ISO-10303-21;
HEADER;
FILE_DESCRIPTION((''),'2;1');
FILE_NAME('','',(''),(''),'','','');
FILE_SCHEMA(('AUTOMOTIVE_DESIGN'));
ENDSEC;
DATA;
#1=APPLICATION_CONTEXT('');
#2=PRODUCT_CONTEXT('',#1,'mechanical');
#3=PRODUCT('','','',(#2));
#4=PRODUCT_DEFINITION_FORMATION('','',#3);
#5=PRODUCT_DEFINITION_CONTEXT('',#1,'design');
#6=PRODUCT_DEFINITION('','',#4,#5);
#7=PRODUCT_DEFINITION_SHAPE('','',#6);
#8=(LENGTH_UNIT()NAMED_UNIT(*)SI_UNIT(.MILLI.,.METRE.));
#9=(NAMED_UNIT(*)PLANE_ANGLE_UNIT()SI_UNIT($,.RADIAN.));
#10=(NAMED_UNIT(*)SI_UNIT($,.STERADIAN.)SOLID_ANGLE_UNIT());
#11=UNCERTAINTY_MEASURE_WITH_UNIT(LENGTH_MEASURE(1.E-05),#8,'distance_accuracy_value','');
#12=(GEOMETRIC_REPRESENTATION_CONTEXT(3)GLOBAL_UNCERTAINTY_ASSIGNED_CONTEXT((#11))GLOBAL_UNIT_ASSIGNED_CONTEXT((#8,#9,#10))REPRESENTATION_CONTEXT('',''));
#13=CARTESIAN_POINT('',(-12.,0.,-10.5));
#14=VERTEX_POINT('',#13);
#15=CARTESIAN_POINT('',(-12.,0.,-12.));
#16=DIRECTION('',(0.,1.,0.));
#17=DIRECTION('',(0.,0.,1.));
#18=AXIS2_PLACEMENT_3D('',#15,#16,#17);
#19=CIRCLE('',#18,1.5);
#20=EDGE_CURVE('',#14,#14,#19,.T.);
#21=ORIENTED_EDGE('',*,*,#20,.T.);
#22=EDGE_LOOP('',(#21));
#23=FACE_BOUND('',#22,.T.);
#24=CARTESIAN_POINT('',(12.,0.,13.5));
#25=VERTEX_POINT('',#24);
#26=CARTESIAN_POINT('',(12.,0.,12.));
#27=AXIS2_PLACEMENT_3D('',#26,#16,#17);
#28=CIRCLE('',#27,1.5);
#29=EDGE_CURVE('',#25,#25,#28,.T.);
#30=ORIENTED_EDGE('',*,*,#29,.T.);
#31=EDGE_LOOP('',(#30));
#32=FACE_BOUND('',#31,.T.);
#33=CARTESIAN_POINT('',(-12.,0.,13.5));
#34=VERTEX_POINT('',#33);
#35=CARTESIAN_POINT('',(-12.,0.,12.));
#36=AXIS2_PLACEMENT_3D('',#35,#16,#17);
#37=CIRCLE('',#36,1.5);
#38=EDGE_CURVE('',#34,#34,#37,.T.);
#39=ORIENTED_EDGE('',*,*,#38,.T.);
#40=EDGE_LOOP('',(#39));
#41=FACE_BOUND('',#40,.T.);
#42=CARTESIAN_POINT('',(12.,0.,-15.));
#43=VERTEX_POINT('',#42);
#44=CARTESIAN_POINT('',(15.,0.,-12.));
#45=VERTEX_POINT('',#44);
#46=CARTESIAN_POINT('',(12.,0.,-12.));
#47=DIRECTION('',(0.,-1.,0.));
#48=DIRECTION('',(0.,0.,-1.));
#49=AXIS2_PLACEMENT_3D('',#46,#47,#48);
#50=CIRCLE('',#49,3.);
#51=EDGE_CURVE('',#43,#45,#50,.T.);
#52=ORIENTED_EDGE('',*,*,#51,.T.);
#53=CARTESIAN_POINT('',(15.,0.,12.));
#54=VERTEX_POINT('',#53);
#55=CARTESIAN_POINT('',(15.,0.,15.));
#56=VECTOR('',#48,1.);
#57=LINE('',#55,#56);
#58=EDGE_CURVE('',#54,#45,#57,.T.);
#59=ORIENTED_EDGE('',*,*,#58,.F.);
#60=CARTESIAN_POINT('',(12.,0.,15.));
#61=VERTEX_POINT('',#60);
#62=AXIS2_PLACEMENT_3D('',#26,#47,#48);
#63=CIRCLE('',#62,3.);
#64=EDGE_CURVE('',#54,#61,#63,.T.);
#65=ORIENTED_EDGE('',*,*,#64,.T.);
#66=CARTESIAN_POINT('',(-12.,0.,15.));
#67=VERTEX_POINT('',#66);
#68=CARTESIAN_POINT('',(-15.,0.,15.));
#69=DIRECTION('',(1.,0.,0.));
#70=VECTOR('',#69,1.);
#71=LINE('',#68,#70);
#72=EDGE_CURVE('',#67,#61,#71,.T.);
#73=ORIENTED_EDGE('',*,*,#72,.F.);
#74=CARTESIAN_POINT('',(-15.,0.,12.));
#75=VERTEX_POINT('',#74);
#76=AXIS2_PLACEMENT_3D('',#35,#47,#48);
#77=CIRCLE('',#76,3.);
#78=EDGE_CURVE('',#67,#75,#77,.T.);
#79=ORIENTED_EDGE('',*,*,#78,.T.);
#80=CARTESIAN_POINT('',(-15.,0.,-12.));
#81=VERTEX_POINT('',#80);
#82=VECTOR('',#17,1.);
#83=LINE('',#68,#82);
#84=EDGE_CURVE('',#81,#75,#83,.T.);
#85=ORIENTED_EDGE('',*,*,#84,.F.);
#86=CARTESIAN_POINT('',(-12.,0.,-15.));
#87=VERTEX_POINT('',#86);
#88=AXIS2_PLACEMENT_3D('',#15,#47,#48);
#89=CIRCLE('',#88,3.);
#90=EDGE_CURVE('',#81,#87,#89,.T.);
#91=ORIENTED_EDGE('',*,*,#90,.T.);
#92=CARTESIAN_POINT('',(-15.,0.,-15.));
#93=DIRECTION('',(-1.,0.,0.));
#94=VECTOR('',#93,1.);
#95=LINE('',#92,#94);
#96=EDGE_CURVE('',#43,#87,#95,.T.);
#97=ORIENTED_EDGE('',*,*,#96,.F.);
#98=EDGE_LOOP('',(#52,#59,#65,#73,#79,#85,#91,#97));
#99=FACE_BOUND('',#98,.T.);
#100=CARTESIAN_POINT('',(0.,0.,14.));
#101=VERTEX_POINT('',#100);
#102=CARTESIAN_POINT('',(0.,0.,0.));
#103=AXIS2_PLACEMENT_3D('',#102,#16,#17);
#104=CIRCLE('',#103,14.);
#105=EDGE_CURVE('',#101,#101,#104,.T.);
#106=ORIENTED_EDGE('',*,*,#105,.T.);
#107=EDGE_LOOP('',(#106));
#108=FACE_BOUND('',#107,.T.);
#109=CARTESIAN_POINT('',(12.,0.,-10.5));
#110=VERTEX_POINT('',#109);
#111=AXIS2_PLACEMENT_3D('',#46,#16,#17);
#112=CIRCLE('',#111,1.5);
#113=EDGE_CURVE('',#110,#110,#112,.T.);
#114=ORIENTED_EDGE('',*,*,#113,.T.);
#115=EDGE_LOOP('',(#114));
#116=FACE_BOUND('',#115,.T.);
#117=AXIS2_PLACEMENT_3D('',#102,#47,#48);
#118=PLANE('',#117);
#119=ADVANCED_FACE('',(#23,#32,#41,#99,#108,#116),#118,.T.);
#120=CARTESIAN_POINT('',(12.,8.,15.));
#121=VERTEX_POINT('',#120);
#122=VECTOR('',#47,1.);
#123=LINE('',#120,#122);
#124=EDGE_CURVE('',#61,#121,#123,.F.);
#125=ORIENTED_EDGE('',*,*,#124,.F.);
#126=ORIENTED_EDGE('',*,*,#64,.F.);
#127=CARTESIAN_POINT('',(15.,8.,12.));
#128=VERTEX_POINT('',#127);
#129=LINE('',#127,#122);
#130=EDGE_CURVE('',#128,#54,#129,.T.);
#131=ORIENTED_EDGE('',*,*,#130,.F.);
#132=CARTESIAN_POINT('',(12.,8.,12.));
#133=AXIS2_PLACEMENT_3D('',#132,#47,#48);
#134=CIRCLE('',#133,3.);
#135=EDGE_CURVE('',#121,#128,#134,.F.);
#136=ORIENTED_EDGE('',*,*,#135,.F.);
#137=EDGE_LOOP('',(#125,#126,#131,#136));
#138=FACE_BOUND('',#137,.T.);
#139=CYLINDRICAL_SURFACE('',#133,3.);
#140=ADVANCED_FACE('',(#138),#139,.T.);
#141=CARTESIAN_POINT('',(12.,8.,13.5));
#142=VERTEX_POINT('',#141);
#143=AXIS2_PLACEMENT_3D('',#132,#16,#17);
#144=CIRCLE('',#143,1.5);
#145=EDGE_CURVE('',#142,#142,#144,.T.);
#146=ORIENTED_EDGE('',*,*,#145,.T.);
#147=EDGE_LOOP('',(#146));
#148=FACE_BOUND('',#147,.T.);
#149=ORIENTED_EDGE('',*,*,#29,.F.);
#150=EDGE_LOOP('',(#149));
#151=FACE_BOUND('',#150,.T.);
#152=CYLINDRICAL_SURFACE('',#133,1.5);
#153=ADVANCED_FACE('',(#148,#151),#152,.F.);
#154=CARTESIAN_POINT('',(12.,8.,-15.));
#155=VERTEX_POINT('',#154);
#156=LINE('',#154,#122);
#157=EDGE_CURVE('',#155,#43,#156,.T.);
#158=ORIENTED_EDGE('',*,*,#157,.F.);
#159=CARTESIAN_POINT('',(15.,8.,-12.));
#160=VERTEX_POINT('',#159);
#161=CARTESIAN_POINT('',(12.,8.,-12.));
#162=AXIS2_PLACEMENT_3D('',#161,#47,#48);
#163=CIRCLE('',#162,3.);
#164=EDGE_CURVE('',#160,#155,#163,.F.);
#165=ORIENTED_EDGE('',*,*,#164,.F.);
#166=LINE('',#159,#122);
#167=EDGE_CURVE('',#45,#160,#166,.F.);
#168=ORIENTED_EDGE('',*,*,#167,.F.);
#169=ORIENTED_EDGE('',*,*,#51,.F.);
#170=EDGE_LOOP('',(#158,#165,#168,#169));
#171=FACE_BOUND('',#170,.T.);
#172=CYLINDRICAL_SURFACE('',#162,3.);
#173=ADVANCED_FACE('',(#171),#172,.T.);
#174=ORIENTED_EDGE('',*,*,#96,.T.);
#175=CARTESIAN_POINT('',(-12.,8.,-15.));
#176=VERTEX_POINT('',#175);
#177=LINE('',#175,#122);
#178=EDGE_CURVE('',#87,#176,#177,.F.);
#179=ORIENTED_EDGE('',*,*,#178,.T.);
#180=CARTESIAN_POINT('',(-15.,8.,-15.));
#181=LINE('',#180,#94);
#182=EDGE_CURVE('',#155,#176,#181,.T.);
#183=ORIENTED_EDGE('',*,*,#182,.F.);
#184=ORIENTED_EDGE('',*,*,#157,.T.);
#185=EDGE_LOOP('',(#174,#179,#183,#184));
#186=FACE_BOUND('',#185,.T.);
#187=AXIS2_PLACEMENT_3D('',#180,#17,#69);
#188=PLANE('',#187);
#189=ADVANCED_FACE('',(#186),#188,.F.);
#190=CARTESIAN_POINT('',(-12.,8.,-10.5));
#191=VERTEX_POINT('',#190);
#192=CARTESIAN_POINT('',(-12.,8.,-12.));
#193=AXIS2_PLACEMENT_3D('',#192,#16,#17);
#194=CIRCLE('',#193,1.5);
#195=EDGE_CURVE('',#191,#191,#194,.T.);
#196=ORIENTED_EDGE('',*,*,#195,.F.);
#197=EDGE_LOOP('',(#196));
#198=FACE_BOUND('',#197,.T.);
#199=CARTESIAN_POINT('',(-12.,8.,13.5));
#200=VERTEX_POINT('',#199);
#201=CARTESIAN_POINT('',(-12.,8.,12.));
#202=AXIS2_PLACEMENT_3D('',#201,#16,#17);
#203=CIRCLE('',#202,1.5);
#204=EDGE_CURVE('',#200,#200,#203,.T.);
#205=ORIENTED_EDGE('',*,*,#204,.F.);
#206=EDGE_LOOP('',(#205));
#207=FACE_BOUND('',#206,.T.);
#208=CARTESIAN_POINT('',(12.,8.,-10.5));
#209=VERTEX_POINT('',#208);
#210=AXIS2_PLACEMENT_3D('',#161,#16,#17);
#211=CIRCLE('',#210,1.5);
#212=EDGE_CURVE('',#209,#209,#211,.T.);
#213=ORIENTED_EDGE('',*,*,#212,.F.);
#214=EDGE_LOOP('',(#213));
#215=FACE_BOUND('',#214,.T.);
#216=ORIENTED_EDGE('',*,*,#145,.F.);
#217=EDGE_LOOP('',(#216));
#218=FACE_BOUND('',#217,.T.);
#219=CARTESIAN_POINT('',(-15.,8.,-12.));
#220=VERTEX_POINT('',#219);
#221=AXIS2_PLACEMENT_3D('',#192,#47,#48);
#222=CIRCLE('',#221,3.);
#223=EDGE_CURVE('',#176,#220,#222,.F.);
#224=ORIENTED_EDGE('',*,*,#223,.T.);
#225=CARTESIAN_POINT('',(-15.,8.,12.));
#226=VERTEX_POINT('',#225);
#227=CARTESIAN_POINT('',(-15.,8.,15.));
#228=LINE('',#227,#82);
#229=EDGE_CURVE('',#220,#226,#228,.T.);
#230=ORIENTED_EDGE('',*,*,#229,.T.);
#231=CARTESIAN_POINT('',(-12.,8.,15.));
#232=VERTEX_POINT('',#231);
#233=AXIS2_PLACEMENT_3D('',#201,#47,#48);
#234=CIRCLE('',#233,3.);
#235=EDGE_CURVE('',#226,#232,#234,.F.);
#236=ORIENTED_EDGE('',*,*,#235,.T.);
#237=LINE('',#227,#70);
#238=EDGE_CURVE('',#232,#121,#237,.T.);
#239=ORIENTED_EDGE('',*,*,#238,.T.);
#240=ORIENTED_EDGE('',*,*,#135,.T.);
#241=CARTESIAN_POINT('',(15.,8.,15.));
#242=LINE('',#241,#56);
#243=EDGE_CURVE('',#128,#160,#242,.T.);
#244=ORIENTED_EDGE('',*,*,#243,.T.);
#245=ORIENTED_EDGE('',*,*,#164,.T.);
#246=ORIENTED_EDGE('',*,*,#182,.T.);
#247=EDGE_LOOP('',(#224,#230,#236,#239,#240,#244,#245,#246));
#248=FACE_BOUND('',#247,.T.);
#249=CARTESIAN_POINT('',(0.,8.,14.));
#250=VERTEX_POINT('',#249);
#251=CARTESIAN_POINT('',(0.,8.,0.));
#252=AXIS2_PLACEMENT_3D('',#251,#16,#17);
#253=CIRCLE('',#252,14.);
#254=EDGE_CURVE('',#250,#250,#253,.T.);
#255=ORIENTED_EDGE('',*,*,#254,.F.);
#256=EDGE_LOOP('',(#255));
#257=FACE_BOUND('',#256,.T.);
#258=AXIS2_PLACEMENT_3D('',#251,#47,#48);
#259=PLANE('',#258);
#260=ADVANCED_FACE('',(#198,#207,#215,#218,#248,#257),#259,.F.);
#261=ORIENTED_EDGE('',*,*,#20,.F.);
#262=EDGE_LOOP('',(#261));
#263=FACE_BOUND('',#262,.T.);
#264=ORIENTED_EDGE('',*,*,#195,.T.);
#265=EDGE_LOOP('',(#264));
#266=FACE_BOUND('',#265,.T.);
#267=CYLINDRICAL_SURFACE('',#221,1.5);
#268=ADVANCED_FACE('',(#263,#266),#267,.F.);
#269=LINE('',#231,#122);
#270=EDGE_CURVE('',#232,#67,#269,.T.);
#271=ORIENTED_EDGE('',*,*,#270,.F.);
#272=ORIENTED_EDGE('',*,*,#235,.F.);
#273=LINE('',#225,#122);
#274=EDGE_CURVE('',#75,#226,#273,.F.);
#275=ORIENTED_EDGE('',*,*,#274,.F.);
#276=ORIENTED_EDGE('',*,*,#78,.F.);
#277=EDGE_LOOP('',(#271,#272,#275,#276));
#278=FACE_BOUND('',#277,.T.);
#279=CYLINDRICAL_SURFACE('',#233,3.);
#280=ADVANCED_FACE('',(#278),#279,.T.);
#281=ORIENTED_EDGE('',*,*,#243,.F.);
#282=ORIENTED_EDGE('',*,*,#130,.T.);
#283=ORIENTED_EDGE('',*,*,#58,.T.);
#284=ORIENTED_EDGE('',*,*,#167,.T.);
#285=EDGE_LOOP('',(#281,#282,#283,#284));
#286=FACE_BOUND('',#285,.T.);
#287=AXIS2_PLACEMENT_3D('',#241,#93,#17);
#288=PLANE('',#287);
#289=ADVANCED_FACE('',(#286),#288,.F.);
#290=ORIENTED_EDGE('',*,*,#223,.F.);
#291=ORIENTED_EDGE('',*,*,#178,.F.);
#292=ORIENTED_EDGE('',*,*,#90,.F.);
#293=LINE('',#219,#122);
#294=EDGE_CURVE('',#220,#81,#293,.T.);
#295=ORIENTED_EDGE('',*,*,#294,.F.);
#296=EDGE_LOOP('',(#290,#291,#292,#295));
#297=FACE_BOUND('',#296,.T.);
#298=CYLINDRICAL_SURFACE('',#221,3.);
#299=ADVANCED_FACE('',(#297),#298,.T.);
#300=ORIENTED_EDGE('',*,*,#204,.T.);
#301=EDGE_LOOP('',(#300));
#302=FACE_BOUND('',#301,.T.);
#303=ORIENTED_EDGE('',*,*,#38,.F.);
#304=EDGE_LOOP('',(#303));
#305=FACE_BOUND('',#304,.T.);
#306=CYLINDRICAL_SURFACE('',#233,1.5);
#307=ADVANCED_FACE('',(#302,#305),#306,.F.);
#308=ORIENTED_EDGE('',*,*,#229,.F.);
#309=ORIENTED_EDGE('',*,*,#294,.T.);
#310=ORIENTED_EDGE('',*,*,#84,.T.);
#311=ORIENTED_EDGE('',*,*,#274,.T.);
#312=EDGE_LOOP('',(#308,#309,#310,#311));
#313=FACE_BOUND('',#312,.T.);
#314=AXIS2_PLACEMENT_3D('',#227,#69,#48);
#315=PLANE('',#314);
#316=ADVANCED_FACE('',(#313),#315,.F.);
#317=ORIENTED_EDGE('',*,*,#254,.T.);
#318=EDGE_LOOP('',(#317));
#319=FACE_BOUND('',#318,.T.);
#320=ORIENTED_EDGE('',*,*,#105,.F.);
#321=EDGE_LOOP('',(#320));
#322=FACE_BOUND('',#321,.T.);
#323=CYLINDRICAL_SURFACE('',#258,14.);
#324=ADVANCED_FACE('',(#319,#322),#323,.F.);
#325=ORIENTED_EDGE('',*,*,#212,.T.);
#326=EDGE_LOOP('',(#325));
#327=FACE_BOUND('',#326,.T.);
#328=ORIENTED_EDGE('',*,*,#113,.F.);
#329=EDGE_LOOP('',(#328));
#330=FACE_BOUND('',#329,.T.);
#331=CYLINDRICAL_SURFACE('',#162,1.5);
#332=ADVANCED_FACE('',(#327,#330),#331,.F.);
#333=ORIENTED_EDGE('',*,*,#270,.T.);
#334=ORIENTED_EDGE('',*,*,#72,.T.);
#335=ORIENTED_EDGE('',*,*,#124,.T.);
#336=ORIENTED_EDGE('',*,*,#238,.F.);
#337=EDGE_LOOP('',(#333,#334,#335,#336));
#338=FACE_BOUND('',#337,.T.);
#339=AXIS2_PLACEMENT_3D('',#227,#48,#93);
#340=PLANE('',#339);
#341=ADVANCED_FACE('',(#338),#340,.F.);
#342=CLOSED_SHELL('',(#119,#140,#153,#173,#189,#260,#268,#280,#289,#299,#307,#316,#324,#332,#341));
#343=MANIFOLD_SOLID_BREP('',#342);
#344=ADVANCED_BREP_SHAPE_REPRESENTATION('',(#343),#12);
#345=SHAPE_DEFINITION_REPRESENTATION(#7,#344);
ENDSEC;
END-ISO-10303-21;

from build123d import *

# Parameters (mm, degrees)
SKETCH1_W           = 30
SKETCH1_H           = 30
SKETCH1_R           = 1.5
SKETCH1_R_2         = 14
BOSS_EXTRUDE1_DEPTH = 8
FILLET1_R           = 3


with BuildPart() as part:
    # Sketch1 → Boss-Extrude1 (new body)
    with BuildSketch(Plane(origin=(0, 0, 0), x_dir=(1, 0, 0), z_dir=(0, 1, 0))):
        Rectangle(SKETCH1_W, SKETCH1_H)
        with Locations(Location((12, 12, 0), (0, 0, 270))):
            Circle(SKETCH1_R, mode=Mode.SUBTRACT)
        with Locations(Location((-12, 12, 0), (0, 0, 270))):
            Circle(SKETCH1_R, mode=Mode.SUBTRACT)
        with Locations(Location((-12, -12, 0), (0, 0, 270))):
            Circle(SKETCH1_R, mode=Mode.SUBTRACT)
        with Locations(Location((12, -12, 0), (0, 0, 270))):
            Circle(SKETCH1_R, mode=Mode.SUBTRACT)
        with Locations(Location((0, 0, 0), (0, 0, 270))):
            Circle(SKETCH1_R_2, mode=Mode.SUBTRACT)
    extrude(amount=BOSS_EXTRUDE1_DEPTH)

    # Fillet1
    fillet1_edges = [part.edges().sort_by_distance(p)[0] for p in [
        (15, 4, 15),
        (-15, 4, 15),
        (-15, 4, -15),
        (15, 4, -15),
    ]]
    fillet(fillet1_edges, radius=FILLET1_R)


solid = part.part
